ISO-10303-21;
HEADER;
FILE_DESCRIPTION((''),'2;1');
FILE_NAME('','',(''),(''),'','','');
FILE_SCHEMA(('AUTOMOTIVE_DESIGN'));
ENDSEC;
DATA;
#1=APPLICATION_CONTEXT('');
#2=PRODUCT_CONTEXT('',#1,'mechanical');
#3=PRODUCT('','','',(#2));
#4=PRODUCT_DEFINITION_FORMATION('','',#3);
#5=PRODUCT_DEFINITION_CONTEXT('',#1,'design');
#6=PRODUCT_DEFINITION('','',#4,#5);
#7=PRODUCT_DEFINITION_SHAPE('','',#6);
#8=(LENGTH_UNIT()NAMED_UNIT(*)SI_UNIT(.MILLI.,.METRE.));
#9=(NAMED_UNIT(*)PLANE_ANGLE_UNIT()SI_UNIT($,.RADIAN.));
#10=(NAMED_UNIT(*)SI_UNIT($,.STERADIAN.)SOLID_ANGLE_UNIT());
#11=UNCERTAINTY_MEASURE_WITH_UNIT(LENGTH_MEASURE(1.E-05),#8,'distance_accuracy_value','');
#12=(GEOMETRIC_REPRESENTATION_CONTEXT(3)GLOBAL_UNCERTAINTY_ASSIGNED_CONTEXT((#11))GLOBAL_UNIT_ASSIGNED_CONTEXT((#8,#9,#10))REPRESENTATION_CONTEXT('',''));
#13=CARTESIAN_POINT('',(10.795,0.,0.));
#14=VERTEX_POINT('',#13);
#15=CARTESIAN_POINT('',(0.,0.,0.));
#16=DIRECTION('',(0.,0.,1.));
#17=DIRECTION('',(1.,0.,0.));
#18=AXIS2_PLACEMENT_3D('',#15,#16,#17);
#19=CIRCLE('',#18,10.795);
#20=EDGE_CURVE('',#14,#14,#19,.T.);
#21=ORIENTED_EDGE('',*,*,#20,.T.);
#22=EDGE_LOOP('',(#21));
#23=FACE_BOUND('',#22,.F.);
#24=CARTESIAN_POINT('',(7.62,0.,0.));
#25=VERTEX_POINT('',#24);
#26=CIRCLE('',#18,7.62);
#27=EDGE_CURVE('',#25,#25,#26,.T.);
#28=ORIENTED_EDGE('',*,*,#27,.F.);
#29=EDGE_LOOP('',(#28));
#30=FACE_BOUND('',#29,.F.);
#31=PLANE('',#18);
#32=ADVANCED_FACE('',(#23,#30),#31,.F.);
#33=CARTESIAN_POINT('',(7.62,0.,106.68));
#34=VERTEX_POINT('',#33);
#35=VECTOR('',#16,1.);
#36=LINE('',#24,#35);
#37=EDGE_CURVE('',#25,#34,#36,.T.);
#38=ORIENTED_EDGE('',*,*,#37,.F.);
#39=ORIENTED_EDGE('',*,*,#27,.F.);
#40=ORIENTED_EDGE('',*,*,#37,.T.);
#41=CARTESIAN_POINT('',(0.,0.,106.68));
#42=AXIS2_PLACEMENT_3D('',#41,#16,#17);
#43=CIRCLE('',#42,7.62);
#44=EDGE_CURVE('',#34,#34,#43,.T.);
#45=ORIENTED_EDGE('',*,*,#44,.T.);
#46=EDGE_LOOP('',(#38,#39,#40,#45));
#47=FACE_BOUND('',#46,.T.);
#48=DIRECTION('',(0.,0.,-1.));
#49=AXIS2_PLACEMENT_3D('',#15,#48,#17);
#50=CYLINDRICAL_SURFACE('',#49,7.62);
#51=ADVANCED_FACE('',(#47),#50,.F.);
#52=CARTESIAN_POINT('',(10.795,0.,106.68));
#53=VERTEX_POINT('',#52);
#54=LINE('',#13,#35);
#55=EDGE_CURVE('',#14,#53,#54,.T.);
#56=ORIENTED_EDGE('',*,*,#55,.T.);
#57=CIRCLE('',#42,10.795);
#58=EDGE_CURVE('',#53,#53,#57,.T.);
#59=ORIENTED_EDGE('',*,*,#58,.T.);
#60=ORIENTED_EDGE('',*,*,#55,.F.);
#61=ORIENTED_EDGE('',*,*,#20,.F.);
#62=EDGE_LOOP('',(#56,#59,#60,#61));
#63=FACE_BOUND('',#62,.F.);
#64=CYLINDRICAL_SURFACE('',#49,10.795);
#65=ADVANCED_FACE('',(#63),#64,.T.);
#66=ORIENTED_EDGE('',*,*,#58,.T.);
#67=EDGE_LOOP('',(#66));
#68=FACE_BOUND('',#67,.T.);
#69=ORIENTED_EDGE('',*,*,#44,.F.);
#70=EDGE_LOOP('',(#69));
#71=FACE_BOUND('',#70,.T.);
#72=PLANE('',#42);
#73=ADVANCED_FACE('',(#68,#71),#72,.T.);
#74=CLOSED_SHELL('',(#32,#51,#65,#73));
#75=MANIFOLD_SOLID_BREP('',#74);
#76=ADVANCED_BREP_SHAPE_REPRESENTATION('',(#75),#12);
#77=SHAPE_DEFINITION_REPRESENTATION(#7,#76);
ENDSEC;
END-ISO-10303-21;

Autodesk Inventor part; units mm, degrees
ref_plane "YZ Plane" through (0, 0, 0) normal (1, 0, 0) x (0, 1, 0)
ref_plane "XZ Plane" through (0, 0, 0) normal (0, 1, 0) x (-1, 0, 0)
ref_plane "XY Plane" through (0, 0, 0) normal (0, 0, 1) x (1, 0, 0)
sketch "Sketch1" plane through (0, 0, 0) normal (0, 0, 1) x (1, 0, 0)
  circle A0 centre (0, 0) radius 10.795
  circle A1 centre (0, 0) radius 7.62
  dimension "d0" = 21.59
  dimension "d2" = 15.24
extrude "Extrusion1" add sketch "Sketch1" along normal blind 106.68
properties part number "7in Pipe" material "PVC-Piping"
